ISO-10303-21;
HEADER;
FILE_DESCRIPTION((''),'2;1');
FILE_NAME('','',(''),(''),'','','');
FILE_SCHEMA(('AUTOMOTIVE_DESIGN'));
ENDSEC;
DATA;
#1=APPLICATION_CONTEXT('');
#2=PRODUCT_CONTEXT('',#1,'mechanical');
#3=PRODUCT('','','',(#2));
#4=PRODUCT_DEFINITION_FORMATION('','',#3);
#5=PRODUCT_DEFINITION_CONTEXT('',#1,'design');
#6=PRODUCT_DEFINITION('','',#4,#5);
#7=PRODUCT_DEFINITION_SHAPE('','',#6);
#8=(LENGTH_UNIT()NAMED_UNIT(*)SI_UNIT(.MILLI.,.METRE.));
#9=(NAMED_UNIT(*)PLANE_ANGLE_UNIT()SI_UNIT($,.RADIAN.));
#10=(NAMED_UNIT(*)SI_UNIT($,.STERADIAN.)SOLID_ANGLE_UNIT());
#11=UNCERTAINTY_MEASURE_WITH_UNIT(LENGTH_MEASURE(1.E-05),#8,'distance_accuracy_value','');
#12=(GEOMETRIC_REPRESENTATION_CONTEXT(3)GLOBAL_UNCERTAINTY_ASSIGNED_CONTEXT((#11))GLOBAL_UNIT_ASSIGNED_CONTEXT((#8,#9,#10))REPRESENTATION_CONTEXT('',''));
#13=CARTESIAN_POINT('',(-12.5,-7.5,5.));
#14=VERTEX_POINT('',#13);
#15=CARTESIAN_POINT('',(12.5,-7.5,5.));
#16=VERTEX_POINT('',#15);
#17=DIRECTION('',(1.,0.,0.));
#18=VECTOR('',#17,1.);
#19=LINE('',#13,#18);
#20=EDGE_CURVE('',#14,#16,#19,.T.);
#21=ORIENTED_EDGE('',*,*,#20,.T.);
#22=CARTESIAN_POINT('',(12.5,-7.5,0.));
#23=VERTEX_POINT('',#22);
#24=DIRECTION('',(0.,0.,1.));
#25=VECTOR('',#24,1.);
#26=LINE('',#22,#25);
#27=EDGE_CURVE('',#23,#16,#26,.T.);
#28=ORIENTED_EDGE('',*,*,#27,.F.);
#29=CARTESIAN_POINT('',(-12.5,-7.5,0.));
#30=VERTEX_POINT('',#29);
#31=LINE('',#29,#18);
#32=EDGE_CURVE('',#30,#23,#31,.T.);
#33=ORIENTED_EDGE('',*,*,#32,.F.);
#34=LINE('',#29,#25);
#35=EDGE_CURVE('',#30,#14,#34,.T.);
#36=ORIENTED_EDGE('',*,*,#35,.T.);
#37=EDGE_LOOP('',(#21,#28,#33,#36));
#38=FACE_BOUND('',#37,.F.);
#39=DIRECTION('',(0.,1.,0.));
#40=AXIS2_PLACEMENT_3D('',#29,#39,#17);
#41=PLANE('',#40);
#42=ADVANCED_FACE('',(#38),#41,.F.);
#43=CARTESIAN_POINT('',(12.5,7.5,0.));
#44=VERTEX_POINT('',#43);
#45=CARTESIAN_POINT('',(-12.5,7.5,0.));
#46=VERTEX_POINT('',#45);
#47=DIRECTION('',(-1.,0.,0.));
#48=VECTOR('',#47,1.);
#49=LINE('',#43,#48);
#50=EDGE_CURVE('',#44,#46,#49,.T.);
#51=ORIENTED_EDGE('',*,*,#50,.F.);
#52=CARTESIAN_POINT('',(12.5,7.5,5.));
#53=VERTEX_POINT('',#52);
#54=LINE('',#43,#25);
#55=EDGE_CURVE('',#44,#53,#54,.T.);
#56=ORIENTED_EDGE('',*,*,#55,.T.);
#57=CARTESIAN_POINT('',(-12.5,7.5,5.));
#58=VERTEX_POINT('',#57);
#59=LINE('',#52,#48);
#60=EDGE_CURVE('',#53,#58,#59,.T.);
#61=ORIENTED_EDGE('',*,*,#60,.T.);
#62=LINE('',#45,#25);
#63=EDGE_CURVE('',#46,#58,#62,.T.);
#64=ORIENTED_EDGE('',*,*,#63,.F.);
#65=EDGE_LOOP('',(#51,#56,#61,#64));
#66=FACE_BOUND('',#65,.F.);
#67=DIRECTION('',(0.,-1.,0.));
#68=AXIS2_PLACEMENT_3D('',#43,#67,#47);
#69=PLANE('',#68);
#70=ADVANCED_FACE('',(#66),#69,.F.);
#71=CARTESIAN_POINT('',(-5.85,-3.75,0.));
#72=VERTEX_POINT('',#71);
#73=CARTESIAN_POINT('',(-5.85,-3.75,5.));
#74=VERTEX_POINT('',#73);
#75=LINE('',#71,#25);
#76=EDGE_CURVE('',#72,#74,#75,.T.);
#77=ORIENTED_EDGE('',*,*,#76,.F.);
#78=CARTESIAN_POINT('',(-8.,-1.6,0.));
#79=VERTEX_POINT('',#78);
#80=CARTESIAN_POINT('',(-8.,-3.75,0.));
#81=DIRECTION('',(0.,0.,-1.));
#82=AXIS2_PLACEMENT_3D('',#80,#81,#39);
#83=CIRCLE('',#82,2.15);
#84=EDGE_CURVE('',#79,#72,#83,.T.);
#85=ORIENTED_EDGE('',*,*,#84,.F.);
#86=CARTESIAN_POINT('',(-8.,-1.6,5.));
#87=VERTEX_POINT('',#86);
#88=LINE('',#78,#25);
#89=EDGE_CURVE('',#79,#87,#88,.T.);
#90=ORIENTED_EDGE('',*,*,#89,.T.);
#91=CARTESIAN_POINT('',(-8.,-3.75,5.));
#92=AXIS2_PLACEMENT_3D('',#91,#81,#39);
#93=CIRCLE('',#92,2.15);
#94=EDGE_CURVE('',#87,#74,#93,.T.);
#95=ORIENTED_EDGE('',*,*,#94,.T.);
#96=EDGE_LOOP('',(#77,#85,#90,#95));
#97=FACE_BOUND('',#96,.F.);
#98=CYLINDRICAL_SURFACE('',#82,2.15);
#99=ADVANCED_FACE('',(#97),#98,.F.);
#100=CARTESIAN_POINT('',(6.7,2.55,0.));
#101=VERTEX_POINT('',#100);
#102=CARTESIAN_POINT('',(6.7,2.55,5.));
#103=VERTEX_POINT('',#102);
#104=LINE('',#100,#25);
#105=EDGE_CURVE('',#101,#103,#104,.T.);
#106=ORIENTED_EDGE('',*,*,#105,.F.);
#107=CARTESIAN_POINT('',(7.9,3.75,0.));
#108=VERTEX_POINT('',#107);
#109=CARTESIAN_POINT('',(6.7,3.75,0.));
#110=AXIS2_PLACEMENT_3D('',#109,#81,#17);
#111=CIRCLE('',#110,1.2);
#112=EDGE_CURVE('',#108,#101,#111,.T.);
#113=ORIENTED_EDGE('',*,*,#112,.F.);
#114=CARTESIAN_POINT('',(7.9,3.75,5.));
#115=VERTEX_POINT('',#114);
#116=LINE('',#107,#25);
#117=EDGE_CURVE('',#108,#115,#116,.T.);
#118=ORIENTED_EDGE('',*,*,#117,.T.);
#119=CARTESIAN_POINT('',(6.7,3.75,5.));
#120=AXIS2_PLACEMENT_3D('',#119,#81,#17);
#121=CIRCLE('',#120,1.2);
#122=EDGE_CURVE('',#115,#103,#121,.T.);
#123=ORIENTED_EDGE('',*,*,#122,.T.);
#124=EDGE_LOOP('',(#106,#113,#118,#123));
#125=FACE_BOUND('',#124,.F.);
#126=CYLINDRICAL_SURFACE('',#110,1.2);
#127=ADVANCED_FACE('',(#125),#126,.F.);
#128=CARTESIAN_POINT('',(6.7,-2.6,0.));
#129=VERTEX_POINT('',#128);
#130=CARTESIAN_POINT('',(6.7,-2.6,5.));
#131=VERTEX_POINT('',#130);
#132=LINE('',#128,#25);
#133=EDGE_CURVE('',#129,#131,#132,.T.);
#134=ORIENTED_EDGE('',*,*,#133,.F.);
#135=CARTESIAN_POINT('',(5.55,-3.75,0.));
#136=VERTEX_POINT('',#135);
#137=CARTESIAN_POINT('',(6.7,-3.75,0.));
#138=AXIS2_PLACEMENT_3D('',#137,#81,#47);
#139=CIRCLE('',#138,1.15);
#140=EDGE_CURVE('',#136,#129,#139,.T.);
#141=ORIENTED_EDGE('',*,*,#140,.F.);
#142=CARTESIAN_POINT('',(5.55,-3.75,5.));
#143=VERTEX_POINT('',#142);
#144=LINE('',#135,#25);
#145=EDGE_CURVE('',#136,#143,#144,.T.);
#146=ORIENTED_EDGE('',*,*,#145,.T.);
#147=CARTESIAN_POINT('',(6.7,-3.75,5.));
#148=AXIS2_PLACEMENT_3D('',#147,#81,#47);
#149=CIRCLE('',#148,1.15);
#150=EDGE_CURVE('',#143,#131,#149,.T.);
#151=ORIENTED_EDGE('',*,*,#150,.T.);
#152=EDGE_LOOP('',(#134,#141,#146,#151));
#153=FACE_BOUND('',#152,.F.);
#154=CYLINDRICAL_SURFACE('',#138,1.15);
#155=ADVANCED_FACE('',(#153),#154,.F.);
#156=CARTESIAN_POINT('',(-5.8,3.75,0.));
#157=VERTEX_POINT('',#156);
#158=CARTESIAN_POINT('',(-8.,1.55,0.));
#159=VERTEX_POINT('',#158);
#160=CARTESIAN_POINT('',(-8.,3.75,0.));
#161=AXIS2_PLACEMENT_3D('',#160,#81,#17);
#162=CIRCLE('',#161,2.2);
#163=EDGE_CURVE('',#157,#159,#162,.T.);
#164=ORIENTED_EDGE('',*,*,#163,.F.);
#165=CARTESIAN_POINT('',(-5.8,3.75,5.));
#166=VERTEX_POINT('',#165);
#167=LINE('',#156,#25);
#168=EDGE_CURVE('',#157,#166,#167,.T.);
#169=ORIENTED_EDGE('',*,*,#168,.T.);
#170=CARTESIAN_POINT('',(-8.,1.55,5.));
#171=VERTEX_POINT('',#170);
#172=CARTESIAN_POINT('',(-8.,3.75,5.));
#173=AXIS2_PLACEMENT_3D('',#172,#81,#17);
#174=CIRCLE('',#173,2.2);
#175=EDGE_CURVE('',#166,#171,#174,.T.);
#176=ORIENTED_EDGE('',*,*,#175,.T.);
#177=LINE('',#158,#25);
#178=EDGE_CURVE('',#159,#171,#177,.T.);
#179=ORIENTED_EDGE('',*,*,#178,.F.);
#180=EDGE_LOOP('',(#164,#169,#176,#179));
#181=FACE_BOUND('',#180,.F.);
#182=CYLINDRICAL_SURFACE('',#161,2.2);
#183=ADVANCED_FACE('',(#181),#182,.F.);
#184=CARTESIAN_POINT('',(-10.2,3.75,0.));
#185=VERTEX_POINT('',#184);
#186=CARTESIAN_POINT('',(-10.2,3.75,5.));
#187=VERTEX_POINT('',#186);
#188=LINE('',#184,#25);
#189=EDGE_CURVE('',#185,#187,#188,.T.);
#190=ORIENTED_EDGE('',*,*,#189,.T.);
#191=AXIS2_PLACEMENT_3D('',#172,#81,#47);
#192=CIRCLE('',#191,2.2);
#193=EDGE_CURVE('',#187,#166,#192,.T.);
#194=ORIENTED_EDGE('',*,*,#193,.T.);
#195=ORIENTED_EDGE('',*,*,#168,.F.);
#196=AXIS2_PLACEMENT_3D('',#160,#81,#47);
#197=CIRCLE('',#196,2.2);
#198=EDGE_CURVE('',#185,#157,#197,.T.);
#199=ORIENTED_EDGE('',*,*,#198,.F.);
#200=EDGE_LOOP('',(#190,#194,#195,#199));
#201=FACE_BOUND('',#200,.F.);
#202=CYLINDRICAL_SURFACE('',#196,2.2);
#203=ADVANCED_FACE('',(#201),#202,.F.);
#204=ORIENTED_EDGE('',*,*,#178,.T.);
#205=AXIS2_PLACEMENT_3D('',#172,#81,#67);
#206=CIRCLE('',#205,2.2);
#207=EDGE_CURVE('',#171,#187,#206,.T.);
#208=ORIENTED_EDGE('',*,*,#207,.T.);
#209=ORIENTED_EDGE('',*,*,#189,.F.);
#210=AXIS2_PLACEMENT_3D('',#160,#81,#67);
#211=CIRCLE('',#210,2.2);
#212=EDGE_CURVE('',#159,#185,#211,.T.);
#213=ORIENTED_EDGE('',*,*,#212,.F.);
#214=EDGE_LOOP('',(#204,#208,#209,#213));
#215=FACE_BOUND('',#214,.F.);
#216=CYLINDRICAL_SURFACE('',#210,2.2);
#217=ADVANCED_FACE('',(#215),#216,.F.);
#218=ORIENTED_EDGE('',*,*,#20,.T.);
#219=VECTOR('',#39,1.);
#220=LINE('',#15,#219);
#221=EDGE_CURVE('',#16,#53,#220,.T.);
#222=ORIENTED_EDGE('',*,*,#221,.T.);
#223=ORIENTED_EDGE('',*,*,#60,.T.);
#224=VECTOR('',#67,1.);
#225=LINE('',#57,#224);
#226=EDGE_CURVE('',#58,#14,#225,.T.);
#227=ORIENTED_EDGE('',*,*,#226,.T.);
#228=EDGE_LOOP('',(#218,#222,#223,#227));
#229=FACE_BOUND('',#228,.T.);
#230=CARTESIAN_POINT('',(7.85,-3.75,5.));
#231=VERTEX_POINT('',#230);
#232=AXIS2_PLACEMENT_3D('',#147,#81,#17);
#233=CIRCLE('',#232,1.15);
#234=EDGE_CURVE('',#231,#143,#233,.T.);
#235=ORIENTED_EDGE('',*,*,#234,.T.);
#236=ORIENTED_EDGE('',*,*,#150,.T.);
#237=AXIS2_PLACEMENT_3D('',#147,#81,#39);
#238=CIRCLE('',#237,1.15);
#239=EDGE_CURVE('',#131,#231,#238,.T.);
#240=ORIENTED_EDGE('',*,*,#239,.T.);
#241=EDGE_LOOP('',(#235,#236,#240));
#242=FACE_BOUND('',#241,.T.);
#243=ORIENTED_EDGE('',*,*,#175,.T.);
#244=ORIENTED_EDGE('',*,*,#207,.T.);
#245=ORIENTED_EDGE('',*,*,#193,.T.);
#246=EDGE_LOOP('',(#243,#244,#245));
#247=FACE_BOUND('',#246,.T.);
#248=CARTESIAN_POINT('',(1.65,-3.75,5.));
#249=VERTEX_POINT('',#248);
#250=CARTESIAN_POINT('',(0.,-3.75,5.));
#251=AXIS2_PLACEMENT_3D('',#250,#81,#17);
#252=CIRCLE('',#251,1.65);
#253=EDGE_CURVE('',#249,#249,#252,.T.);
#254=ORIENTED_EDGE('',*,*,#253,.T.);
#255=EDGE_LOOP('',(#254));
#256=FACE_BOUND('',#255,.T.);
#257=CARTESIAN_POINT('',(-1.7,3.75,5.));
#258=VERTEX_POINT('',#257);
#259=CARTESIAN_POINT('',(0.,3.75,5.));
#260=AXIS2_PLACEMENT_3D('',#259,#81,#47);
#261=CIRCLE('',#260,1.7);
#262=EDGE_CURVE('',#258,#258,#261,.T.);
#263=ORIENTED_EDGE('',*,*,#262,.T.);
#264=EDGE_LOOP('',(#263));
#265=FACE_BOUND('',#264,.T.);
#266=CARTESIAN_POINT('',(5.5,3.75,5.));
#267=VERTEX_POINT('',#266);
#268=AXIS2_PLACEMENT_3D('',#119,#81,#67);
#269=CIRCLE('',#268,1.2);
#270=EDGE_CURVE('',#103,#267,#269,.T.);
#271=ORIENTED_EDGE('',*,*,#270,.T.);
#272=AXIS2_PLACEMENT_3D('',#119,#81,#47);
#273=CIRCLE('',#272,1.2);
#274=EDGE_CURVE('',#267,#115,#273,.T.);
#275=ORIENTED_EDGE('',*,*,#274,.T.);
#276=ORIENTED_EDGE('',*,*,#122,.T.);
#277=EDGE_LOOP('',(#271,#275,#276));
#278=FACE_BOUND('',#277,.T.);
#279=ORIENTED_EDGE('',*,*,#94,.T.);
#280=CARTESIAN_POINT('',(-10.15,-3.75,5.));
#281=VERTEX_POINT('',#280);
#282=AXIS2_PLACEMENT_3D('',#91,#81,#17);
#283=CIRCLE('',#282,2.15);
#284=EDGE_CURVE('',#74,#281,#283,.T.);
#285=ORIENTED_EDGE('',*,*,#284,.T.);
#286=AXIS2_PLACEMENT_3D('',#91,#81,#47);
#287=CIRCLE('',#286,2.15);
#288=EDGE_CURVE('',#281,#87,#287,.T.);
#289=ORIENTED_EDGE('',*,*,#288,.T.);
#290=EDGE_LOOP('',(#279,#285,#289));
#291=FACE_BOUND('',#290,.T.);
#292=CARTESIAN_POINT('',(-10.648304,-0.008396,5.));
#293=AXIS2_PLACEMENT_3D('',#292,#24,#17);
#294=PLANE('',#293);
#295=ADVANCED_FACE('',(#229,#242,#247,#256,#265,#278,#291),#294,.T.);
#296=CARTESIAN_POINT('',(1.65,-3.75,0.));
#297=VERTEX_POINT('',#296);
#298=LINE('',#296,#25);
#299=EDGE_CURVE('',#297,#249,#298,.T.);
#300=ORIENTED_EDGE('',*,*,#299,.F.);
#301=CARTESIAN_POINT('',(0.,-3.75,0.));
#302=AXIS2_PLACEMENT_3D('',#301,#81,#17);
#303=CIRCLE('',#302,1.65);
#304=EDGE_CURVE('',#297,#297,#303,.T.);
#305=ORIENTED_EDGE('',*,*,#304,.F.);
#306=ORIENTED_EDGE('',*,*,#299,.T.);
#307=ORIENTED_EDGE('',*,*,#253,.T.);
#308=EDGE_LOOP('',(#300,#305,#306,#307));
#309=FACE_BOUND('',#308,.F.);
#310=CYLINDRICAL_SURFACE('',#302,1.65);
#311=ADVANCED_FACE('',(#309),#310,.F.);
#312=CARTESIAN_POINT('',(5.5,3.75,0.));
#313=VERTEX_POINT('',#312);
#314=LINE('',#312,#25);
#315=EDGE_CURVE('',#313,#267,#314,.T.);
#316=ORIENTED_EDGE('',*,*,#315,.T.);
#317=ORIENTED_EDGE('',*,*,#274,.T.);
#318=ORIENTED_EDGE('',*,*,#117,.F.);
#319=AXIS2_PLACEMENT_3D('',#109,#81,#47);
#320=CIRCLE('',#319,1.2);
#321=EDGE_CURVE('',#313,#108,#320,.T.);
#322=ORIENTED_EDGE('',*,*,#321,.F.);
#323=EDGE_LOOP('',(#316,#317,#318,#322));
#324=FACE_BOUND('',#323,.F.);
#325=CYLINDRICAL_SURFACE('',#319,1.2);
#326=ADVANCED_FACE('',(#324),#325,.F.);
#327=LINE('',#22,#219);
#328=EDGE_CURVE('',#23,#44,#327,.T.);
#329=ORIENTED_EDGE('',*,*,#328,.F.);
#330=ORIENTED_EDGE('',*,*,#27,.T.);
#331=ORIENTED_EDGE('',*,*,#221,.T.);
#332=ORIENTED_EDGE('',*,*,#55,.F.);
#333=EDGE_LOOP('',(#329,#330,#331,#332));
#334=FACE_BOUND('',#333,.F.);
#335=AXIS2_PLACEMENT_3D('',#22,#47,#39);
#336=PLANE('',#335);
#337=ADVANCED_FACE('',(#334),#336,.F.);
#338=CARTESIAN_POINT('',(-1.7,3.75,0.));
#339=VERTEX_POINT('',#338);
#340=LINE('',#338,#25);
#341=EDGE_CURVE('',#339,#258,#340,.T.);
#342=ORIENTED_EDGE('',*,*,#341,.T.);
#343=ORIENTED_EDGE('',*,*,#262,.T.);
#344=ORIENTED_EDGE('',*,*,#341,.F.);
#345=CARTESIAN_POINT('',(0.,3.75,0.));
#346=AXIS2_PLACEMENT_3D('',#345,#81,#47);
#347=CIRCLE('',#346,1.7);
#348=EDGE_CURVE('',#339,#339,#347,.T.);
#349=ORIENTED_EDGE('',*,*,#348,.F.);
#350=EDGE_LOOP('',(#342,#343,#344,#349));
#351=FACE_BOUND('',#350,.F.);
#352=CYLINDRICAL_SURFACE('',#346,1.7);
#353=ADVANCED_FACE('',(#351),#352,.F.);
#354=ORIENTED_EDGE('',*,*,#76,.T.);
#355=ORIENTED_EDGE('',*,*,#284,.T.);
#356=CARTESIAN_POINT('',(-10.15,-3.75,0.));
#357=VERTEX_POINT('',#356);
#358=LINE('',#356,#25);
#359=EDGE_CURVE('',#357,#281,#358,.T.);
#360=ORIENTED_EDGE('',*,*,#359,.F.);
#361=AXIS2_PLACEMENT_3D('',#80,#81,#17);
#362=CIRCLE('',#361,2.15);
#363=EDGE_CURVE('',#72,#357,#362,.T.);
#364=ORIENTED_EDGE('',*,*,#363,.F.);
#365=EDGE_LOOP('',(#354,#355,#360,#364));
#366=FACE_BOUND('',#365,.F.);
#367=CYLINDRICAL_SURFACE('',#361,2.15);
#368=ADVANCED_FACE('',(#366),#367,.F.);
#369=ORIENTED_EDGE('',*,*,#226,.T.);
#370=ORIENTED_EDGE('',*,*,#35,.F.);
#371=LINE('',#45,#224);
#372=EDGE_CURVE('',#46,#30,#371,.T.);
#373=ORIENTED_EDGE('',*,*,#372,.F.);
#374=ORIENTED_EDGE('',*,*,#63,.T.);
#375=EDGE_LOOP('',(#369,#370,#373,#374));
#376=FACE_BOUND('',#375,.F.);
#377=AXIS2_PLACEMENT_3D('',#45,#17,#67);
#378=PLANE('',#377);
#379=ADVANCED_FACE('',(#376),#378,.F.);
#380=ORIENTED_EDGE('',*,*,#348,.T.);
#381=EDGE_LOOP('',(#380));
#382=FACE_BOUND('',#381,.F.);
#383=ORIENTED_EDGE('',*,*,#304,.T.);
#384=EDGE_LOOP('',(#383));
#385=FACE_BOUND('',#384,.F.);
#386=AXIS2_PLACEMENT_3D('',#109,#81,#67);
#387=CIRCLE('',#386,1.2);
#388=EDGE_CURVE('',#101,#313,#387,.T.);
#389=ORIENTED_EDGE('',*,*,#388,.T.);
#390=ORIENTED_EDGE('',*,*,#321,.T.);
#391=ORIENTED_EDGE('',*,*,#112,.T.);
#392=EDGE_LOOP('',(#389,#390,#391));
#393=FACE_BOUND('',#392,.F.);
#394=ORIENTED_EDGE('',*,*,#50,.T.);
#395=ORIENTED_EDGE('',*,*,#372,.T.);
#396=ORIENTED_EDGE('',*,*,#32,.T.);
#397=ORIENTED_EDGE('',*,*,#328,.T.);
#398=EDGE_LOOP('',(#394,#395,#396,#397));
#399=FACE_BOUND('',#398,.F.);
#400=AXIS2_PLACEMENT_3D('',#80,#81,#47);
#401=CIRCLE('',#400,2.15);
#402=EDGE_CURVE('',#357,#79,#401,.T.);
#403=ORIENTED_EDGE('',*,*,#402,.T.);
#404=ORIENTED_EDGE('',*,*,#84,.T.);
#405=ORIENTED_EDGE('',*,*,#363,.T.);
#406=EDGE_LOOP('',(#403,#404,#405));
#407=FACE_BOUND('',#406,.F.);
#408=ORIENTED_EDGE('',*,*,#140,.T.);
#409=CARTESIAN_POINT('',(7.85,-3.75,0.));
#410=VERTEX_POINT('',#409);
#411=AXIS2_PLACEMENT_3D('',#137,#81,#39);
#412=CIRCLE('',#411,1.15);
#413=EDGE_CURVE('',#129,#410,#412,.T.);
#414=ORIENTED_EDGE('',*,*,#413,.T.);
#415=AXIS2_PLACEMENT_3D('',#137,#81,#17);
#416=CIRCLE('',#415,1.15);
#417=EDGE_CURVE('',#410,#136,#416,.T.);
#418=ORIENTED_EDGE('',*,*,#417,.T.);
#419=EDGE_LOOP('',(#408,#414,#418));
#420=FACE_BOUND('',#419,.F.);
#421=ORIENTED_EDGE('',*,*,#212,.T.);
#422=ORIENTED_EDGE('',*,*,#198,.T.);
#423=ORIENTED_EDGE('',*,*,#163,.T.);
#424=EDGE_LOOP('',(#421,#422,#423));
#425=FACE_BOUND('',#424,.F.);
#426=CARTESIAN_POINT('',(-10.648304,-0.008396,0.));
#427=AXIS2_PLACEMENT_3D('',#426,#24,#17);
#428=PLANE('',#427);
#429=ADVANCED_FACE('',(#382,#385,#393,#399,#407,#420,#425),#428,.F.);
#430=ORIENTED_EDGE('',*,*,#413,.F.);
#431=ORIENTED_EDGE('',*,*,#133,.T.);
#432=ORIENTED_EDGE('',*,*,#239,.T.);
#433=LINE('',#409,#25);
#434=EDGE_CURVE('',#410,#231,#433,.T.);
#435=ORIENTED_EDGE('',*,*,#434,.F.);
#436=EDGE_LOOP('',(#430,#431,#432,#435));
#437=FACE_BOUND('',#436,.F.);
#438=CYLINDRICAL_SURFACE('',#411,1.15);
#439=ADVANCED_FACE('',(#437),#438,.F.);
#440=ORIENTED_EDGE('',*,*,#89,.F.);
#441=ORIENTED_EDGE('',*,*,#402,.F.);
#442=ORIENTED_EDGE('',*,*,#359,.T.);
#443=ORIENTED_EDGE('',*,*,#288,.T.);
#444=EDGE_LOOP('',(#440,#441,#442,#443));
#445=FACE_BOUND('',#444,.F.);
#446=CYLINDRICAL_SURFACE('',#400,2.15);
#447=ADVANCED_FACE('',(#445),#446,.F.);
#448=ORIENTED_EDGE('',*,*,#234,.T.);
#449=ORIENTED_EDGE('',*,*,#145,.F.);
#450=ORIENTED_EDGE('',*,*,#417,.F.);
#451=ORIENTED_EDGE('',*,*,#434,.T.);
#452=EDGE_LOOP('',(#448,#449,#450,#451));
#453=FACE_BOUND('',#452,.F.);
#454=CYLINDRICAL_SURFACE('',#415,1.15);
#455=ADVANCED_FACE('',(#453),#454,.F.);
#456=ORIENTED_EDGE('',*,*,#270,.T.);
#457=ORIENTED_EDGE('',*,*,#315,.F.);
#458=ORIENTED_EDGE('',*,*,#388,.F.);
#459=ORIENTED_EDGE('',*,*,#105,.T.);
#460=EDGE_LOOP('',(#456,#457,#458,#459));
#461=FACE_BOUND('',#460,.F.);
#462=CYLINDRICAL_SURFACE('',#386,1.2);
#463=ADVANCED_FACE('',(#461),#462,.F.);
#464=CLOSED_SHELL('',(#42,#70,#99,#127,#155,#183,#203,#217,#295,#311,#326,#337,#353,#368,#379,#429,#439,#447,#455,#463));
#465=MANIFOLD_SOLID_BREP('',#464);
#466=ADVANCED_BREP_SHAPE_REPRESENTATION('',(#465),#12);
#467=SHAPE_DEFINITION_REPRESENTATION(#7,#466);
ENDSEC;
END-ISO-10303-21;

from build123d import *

# Parameters (mm, degrees)
F1_DEPTH = 5


with BuildPart() as f1:
    # F0 (on Top) → F1 (new body)
    with BuildSketch(Plane.XY):
        with BuildLine():
            Line((-10.2, 3.75), (-12.5, 3.75))
            Line((-12.5, 3.75), (-12.5, 0))
            Line((-12.5, 0), (-12.5, -3.75))
            Line((-12.5, -3.75), (-10.15, -3.75))
            ThreePointArc((-10.15, -3.75), (-9.5202795796, -2.2297204204), (-8, -1.6))
            Line((-8, -1.6), (-8, 1.55))
            ThreePointArc((-8, 1.55), (-9.5556349186, 2.1943650814), (-10.2, 3.75))
        make_face()
        with BuildLine():
            ThreePointArc((6.7, 2.55), (5.8514718626, 2.9014718626), (5.5, 3.75))
            Line((5.5, 3.75), (1.7, 3.75))
            ThreePointArc((1.7, 3.75), (0, 2.05), (-1.7, 3.75))
            Line((-1.7, 3.75), (-5.8, 3.75))
            ThreePointArc((-5.8, 3.75), (-6.4443650814, 2.1943650814), (-8, 1.55))
            Line((-8, 1.55), (-8, -1.6))
            ThreePointArc((-8, -1.6), (-6.4797204204, -2.2297204204), (-5.85, -3.75))
            Line((-5.85, -3.75), (-1.65, -3.75))
            ThreePointArc((-1.65, -3.75), (0, -2.1), (1.65, -3.75))
            Line((1.65, -3.75), (5.55, -3.75))
            ThreePointArc((5.55, -3.75), (5.8868272016, -2.9368272016), (6.7, -2.6))
            Line((6.7, -2.6), (6.7, 2.55))
        make_face()
        with BuildLine():
            Line((12.5, 0), (12.5, 3.75))
            Line((12.5, 3.75), (7.9, 3.75))
            ThreePointArc((7.9, 3.75), (7.5485281374, 2.9014718626), (6.7, 2.55))
            Line((6.7, 2.55), (6.7, -2.6))
            ThreePointArc((6.7, -2.6), (7.5131727984, -2.9368272016), (7.85, -3.75))
            Line((7.85, -3.75), (12.5, -3.75))
            Line((12.5, -3.75), (12.5, 0))
        make_face()
        with BuildLine():
            Line((12.5, -7.5), (12.5, -3.75))
            Line((12.5, -3.75), (7.85, -3.75))
            ThreePointArc((7.85, -3.75), (6.7, -4.9), (5.55, -3.75))
            Line((5.55, -3.75), (1.65, -3.75))
            ThreePointArc((1.65, -3.75), (0, -5.4), (-1.65, -3.75))
            Line((-1.65, -3.75), (-5.85, -3.75))
            ThreePointArc((-5.85, -3.75), (-8, -5.9), (-10.15, -3.75))
            Line((-10.15, -3.75), (-12.5, -3.75))
            Line((-12.5, -3.75), (-12.5, -7.5))
            Line((-12.5, -7.5), (12.5, -7.5))
        make_face()
        with BuildLine():
            Line((12.5, 3.75), (12.5, 7.5))
            Line((12.5, 7.5), (-12.5, 7.5))
            Line((-12.5, 7.5), (-12.5, 3.75))
            Line((-12.5, 3.75), (-10.2, 3.75))
            ThreePointArc((-10.2, 3.75), (-8, 5.95), (-5.8, 3.75))
            Line((-5.8, 3.75), (-1.7, 3.75))
            ThreePointArc((-1.7, 3.75), (0, 5.45), (1.7, 3.75))
            Line((1.7, 3.75), (5.5, 3.75))
            ThreePointArc((5.5, 3.75), (6.7, 4.95), (7.9, 3.75))
            Line((7.9, 3.75), (12.5, 3.75))
        make_face()
    extrude(amount=F1_DEPTH)


solid = f1.part
